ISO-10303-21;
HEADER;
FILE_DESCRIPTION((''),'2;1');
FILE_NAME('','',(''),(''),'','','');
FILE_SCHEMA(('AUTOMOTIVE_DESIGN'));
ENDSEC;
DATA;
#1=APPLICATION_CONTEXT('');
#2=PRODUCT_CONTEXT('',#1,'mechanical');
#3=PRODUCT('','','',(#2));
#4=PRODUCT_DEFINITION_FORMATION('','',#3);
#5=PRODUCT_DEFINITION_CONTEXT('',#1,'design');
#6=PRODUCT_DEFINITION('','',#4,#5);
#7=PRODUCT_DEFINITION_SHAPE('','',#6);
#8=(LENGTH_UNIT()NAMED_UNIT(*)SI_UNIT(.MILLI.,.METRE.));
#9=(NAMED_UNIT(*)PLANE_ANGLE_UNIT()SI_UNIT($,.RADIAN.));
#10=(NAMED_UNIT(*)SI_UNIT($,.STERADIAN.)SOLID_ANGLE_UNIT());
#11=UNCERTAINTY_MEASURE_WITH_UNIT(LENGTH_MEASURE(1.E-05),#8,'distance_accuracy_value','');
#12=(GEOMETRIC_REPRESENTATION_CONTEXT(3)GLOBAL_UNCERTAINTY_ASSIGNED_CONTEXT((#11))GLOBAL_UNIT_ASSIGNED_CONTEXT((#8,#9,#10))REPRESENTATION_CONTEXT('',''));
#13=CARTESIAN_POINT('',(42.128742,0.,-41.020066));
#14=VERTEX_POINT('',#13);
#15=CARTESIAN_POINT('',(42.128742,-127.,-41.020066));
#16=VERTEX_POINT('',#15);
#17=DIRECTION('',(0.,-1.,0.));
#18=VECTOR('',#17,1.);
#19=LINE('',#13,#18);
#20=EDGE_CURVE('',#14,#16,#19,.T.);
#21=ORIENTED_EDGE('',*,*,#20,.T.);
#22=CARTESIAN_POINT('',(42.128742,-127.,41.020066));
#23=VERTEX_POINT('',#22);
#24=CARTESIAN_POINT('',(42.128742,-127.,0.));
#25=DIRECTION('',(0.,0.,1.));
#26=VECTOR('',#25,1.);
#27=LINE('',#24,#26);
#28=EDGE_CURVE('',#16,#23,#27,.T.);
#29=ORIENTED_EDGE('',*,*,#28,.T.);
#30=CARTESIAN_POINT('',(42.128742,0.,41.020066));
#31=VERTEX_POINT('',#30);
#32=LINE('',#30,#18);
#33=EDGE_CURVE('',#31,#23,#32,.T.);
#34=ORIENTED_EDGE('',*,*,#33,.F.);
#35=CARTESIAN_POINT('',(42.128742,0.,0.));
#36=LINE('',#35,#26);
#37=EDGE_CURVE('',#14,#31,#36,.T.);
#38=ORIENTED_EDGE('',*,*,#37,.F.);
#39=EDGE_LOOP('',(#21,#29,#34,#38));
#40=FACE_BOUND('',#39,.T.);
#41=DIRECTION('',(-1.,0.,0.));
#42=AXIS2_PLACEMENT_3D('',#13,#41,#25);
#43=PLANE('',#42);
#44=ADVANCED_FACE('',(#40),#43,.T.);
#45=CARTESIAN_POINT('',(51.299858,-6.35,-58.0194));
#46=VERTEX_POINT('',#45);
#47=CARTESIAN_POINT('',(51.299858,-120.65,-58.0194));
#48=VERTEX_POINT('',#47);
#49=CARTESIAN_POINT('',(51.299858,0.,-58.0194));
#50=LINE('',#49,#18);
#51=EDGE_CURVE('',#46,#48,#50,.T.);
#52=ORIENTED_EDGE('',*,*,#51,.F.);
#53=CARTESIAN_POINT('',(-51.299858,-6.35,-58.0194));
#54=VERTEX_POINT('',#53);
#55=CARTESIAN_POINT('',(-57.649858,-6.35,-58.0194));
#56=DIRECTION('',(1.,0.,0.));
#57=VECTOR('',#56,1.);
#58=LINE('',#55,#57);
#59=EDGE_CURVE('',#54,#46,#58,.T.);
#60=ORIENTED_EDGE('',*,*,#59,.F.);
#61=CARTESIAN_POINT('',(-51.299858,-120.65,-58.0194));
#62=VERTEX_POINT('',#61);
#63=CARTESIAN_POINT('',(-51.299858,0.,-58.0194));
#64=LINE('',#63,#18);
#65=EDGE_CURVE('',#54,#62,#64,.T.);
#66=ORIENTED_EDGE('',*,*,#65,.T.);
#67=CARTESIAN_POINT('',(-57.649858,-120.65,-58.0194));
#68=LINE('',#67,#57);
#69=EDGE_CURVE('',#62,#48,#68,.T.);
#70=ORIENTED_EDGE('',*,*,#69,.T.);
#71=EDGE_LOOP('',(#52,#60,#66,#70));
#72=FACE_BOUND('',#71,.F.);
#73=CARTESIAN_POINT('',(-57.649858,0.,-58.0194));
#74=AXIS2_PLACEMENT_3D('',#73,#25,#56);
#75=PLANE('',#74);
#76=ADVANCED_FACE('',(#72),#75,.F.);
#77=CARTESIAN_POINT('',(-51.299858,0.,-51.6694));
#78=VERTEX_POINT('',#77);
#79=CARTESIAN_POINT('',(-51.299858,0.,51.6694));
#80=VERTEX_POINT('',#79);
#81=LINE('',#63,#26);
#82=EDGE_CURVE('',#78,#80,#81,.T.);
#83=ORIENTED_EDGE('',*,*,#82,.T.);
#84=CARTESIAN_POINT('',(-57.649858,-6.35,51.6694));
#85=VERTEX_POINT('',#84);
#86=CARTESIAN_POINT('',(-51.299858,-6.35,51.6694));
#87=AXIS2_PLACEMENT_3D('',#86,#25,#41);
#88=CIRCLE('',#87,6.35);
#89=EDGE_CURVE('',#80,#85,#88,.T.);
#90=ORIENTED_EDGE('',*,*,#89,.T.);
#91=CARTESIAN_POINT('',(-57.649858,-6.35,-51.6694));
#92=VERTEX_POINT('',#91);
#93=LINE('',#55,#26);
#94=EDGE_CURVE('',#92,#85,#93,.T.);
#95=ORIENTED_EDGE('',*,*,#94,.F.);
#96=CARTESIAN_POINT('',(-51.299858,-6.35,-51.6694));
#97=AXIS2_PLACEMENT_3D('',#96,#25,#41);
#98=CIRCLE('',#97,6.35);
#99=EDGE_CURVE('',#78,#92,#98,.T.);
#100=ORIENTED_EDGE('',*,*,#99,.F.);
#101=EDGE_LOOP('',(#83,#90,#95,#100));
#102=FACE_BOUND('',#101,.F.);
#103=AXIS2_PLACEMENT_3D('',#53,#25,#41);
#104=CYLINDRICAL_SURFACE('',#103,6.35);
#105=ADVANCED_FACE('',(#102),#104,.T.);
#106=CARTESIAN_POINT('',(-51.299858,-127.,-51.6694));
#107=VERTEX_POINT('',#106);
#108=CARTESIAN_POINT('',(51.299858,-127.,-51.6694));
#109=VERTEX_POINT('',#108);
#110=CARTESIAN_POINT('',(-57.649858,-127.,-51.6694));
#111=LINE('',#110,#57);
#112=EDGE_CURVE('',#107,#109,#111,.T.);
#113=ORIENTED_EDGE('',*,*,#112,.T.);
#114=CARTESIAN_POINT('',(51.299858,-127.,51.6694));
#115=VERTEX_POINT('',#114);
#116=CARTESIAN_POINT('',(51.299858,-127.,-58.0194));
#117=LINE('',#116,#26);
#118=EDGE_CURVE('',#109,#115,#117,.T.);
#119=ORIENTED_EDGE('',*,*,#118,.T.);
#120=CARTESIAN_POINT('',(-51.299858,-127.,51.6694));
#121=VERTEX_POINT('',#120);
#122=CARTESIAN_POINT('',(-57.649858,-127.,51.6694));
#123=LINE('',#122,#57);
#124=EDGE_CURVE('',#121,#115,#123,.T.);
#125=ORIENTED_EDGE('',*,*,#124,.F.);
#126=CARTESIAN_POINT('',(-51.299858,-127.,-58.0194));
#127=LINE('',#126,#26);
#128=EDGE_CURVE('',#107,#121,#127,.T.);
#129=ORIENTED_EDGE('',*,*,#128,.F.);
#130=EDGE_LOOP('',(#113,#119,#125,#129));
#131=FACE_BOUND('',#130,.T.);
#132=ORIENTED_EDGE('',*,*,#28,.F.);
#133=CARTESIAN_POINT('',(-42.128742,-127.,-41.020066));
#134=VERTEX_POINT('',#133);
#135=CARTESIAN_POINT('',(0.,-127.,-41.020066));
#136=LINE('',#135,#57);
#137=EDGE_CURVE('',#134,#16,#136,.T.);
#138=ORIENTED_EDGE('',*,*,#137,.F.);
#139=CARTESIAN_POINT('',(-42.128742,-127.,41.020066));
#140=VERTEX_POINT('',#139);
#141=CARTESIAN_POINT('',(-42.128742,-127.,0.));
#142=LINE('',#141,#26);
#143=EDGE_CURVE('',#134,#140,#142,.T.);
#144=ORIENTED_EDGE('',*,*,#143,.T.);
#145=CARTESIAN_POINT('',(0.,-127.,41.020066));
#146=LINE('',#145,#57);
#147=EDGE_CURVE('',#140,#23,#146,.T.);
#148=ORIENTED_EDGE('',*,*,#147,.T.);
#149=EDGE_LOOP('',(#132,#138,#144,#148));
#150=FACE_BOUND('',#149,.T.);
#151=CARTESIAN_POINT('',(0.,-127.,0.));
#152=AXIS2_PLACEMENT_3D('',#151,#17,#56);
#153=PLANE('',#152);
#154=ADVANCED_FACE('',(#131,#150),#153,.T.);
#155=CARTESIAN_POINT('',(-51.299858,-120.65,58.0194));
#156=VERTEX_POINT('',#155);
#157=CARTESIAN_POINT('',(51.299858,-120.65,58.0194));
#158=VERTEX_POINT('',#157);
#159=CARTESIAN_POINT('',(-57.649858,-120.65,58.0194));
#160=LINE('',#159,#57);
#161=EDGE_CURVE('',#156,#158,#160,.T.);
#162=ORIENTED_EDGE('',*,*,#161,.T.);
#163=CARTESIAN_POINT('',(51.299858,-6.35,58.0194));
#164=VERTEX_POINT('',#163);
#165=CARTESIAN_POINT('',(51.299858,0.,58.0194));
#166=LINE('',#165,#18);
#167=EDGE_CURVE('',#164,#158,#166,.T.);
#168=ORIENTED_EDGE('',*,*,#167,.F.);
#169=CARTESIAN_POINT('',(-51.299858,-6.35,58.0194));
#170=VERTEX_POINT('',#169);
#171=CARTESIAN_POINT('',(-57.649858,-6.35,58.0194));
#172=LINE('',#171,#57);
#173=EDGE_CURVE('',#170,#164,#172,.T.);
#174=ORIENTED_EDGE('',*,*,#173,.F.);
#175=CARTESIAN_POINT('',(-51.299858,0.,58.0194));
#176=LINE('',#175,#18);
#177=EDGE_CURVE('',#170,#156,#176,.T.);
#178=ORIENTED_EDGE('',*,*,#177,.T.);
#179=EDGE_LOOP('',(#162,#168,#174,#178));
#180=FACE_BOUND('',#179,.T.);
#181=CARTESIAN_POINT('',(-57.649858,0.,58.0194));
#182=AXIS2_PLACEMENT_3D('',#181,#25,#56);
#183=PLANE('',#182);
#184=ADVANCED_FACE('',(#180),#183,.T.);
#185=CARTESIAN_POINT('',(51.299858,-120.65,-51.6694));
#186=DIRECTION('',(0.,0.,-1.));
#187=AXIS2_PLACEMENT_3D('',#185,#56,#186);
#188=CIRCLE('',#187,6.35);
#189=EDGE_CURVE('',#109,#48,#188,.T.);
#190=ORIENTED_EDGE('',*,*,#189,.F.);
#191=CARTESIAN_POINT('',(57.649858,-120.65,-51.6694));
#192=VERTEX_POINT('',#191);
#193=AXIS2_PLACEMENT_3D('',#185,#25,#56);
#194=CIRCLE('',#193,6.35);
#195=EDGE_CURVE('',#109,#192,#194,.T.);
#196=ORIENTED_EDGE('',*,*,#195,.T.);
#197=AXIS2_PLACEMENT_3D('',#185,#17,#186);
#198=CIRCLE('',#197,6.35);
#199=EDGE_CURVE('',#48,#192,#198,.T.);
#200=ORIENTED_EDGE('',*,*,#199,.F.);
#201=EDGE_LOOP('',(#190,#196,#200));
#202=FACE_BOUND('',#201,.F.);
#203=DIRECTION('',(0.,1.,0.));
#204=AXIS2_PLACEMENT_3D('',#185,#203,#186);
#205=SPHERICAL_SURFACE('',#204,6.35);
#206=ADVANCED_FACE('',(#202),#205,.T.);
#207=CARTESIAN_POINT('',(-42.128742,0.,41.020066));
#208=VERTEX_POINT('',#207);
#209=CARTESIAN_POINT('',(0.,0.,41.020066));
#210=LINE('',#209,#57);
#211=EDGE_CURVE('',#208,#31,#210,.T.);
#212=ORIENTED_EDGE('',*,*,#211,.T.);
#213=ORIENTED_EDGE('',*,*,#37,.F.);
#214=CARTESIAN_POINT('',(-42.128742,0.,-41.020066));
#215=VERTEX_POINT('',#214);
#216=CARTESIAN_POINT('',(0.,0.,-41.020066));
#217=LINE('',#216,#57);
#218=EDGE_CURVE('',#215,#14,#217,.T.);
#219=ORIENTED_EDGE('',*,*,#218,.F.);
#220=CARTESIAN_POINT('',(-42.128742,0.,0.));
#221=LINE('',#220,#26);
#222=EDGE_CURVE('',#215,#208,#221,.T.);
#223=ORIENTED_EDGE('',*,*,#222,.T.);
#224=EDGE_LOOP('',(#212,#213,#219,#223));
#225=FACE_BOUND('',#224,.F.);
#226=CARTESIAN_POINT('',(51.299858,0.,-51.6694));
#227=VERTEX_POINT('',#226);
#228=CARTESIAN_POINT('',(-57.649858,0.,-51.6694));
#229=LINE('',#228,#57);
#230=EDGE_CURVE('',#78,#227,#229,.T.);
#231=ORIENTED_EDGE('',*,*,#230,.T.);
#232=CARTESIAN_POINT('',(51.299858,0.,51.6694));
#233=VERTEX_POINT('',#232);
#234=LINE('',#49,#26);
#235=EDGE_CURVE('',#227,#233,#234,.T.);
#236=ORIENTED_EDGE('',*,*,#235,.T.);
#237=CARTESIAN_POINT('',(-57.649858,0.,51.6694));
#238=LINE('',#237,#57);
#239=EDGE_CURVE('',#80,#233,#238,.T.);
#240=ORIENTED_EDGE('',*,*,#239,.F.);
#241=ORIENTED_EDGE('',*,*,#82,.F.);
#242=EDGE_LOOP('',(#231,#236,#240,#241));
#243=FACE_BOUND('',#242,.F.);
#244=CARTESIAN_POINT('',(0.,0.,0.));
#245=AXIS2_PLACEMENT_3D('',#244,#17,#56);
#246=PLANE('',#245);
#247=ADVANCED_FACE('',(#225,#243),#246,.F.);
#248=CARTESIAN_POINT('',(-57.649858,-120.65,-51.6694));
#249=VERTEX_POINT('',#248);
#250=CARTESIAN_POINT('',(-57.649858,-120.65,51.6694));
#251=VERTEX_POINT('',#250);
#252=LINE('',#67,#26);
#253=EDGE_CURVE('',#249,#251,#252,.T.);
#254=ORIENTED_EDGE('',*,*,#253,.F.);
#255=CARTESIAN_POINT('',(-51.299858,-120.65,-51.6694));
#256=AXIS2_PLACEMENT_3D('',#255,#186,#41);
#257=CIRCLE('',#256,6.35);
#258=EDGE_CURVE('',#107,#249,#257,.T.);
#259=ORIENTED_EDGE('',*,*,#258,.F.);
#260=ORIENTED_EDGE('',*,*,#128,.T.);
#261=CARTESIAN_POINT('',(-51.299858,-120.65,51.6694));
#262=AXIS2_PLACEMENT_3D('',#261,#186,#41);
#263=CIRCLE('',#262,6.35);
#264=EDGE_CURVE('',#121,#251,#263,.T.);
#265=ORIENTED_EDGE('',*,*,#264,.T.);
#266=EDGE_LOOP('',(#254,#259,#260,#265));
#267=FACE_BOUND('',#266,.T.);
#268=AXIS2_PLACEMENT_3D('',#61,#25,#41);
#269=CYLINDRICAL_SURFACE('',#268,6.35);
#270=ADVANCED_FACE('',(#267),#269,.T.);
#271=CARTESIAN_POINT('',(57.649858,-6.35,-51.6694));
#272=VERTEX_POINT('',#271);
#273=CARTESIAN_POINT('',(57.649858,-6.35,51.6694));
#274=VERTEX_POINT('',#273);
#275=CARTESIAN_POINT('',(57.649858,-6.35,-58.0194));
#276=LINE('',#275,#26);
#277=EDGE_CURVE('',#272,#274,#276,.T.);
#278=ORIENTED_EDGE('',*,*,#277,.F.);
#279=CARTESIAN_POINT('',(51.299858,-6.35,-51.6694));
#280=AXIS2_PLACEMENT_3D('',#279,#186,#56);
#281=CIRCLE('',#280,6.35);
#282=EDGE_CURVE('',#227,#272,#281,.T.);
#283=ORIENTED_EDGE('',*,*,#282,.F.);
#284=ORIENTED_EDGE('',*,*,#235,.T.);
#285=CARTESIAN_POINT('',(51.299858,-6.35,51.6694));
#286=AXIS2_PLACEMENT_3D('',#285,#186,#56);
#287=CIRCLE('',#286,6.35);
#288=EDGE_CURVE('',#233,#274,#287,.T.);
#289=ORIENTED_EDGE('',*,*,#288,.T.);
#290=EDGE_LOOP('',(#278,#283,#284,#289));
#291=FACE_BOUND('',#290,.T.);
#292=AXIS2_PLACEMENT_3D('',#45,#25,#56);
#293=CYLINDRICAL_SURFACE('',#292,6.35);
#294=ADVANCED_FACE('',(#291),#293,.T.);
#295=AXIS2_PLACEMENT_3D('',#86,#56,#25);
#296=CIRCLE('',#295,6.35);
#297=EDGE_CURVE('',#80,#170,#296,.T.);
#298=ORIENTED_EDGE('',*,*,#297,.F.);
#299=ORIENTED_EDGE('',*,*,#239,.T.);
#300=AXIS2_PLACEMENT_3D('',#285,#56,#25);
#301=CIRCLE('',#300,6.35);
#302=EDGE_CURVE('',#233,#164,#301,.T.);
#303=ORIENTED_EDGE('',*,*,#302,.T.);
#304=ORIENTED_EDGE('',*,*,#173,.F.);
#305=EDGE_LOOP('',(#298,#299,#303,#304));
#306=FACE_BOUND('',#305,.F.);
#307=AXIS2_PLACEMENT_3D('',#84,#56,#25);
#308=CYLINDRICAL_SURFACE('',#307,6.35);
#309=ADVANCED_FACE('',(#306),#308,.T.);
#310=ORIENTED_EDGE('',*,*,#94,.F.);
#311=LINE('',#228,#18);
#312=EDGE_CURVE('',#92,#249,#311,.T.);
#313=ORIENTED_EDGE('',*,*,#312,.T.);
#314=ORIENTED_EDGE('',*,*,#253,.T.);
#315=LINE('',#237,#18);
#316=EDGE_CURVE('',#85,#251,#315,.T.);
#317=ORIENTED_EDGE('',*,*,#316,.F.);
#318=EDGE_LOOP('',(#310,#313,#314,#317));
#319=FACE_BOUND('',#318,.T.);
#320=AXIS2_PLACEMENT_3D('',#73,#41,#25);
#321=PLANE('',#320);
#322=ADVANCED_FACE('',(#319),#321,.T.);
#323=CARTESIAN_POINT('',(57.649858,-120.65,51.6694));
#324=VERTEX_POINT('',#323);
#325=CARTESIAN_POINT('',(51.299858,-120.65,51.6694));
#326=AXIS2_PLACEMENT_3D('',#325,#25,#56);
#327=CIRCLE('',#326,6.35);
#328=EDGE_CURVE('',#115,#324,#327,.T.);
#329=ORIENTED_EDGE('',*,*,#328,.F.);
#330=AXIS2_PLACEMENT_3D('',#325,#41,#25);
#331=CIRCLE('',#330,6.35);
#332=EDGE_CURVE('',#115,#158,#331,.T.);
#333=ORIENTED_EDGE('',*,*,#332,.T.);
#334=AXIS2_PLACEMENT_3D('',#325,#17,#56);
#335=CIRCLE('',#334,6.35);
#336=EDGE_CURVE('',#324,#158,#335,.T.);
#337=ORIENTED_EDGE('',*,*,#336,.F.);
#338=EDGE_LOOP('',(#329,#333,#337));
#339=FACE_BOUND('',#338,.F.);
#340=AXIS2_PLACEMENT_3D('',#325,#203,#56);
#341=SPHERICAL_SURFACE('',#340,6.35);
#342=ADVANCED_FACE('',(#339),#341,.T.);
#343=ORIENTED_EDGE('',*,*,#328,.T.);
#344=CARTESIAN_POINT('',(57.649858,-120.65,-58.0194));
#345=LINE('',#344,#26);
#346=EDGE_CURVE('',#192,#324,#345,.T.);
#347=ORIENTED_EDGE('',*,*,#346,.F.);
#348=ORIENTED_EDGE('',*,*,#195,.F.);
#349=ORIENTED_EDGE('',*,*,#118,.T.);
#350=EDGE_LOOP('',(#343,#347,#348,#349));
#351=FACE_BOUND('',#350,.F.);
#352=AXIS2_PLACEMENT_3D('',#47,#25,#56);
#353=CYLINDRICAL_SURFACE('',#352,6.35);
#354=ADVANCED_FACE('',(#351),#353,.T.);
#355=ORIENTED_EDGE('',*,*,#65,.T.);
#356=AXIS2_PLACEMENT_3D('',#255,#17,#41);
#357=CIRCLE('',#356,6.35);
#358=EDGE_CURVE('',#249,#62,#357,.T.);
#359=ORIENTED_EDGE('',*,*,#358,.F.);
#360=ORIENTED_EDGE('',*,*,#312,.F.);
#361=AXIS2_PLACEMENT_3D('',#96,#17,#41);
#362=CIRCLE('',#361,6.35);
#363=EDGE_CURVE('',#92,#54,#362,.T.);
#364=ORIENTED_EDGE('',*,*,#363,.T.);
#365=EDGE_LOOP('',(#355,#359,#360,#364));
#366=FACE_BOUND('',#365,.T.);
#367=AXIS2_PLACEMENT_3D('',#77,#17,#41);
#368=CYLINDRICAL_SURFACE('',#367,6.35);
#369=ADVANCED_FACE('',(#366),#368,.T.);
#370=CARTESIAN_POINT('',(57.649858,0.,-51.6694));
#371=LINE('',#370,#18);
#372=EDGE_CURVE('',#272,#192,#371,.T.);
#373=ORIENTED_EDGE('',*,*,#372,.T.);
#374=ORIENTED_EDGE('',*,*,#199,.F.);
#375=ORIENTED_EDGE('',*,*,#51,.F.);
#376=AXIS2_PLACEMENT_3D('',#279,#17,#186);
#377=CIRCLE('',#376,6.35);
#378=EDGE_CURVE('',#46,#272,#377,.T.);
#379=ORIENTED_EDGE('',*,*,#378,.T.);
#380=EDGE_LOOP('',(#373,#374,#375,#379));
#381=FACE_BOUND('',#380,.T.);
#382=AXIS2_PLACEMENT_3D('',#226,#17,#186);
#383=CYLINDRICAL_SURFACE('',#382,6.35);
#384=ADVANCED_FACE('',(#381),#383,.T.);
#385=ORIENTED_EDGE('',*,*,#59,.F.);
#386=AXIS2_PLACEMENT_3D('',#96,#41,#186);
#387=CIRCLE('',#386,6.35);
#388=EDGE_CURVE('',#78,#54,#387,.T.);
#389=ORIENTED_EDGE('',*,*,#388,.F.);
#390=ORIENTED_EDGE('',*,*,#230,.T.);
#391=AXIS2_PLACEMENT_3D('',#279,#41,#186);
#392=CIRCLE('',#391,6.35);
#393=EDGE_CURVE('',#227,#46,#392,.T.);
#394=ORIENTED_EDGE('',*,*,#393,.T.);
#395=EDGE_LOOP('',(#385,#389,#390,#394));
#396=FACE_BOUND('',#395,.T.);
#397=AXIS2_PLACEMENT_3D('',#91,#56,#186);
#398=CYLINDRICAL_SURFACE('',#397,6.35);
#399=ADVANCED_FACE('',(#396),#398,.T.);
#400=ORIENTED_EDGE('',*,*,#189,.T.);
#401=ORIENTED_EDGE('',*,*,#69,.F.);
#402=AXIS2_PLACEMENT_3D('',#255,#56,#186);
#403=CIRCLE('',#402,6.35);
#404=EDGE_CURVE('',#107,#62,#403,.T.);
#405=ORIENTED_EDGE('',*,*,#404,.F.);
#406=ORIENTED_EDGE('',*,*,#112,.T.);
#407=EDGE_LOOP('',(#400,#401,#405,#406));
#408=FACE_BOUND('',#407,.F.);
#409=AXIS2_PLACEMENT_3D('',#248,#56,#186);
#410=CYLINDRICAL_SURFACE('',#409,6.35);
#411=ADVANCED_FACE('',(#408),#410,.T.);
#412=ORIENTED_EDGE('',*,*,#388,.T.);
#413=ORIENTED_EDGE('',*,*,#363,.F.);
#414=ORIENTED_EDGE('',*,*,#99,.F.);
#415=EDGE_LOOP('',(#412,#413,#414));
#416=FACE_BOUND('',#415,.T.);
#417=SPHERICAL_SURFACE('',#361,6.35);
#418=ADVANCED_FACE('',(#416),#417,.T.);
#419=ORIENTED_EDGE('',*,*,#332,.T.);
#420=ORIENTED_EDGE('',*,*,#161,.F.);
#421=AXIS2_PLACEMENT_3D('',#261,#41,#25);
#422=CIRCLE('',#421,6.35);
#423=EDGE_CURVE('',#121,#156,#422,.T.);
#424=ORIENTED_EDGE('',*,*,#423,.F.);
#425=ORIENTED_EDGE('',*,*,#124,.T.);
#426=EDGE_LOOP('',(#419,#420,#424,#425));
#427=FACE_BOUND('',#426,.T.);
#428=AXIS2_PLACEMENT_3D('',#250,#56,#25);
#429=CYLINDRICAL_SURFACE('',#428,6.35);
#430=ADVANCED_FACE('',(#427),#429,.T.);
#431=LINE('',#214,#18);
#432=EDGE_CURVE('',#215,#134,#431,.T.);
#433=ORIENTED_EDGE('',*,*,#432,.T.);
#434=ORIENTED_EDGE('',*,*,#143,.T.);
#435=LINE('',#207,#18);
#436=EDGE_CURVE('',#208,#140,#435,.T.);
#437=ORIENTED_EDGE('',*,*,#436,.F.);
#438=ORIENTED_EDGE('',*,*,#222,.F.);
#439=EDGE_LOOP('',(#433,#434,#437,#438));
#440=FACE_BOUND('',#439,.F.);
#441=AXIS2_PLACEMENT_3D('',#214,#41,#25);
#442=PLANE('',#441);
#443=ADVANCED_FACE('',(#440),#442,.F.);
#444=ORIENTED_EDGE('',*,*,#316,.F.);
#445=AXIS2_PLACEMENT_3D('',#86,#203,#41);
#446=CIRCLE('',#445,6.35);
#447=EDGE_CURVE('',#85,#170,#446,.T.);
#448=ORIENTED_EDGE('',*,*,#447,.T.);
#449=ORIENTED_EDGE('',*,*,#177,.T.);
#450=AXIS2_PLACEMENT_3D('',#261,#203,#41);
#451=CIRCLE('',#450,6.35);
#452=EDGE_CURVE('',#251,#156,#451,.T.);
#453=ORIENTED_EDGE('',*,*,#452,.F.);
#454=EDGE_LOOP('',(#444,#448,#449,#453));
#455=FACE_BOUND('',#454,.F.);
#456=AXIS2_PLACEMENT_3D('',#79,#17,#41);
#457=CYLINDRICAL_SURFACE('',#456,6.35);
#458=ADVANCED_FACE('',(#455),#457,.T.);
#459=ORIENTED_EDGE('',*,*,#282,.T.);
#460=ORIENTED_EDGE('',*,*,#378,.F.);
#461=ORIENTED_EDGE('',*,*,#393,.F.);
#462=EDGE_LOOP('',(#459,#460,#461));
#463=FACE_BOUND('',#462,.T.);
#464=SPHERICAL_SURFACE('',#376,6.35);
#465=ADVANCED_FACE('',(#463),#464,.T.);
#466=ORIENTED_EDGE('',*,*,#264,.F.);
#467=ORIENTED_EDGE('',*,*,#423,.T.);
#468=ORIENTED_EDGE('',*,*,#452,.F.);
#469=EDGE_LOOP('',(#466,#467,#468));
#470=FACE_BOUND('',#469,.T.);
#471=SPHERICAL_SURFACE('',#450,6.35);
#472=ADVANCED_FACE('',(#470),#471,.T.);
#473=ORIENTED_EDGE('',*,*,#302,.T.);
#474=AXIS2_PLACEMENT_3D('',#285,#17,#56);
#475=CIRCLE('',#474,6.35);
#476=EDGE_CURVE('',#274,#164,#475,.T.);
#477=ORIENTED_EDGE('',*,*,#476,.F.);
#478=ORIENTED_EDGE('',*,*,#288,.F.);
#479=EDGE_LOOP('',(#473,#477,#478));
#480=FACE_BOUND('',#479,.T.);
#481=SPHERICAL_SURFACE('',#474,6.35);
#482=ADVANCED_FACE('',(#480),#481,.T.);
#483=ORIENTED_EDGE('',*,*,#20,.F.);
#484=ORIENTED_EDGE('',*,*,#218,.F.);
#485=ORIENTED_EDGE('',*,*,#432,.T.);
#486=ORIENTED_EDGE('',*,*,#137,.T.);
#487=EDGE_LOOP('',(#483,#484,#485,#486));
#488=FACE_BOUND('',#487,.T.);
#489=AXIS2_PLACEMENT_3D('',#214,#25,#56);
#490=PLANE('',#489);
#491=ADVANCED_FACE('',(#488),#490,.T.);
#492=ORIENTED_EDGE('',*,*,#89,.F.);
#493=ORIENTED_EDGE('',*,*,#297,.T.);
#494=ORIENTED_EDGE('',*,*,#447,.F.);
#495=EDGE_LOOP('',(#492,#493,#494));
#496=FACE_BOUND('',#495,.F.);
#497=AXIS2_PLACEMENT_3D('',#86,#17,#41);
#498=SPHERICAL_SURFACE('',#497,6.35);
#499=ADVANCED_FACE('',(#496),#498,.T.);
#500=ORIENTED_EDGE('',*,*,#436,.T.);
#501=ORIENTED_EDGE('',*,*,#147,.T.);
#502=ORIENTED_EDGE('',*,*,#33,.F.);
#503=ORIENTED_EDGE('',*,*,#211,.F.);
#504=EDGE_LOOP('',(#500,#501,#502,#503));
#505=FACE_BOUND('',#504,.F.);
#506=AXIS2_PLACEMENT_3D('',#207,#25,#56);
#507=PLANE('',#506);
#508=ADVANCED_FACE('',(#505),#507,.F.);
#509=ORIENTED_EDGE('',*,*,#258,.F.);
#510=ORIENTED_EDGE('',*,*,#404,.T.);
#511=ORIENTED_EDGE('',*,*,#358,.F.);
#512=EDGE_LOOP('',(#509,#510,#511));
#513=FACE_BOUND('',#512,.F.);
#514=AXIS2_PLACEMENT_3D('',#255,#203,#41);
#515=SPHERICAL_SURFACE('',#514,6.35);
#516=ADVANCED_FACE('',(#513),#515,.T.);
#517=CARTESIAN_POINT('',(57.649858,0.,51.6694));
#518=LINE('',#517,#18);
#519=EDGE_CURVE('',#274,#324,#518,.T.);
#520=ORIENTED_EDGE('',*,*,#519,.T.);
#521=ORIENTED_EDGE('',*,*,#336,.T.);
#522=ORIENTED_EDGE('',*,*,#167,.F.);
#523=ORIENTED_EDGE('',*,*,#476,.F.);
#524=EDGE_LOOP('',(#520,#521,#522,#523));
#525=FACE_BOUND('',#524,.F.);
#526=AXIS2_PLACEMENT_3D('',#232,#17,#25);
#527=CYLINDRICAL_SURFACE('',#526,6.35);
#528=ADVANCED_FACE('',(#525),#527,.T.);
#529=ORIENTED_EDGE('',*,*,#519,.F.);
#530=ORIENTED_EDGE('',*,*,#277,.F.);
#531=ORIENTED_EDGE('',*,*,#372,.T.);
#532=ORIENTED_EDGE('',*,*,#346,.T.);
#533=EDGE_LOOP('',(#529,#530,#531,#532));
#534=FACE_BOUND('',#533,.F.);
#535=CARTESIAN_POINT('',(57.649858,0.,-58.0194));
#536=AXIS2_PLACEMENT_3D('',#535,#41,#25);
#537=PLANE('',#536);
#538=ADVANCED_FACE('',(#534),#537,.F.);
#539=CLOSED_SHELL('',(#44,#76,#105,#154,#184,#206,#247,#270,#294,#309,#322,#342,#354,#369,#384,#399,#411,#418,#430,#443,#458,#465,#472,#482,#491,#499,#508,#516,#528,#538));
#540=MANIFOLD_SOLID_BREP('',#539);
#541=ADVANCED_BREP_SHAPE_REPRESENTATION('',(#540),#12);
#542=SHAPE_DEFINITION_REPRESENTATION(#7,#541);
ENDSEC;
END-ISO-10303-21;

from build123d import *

# Parameters (mm, degrees)
F0_W     = 115.299716
F0_H     = 116.0388
F0_W_2   = 84.257484
F0_H_2   = 82.040132
F1_DEPTH = 127
F2_R     = 6.35


with BuildPart() as f1:
    # F0 (on Front) → F1 (new body)
    with BuildSketch(Plane.XZ):
        Rectangle(F0_W, F0_H)
        Rectangle(F0_W_2, F0_H_2, mode=Mode.SUBTRACT)
    extrude(amount=F1_DEPTH)

    # F2
    f2_edges = [f1.edges().sort_by_distance(p)[0] for p in [
        (-57.649858, -63.5, 58.0194),
        (-57.649858, -63.5, -58.0194),
        (-57.649858, 0, 0),
        (-57.649858, -127, 0),
        (57.649858, -63.5, -58.0194),
        (0, 0, -58.0194),
        (0, -127, -58.0194),
        (57.649858, -63.5, 58.0194),
        (57.649858, 0, 0),
        (57.649858, -127, 0),
        (0, 0, 58.0194),
        (0, -127, 58.0194),
    ]]
    fillet(f2_edges, radius=F2_R)


solid = f1.part
